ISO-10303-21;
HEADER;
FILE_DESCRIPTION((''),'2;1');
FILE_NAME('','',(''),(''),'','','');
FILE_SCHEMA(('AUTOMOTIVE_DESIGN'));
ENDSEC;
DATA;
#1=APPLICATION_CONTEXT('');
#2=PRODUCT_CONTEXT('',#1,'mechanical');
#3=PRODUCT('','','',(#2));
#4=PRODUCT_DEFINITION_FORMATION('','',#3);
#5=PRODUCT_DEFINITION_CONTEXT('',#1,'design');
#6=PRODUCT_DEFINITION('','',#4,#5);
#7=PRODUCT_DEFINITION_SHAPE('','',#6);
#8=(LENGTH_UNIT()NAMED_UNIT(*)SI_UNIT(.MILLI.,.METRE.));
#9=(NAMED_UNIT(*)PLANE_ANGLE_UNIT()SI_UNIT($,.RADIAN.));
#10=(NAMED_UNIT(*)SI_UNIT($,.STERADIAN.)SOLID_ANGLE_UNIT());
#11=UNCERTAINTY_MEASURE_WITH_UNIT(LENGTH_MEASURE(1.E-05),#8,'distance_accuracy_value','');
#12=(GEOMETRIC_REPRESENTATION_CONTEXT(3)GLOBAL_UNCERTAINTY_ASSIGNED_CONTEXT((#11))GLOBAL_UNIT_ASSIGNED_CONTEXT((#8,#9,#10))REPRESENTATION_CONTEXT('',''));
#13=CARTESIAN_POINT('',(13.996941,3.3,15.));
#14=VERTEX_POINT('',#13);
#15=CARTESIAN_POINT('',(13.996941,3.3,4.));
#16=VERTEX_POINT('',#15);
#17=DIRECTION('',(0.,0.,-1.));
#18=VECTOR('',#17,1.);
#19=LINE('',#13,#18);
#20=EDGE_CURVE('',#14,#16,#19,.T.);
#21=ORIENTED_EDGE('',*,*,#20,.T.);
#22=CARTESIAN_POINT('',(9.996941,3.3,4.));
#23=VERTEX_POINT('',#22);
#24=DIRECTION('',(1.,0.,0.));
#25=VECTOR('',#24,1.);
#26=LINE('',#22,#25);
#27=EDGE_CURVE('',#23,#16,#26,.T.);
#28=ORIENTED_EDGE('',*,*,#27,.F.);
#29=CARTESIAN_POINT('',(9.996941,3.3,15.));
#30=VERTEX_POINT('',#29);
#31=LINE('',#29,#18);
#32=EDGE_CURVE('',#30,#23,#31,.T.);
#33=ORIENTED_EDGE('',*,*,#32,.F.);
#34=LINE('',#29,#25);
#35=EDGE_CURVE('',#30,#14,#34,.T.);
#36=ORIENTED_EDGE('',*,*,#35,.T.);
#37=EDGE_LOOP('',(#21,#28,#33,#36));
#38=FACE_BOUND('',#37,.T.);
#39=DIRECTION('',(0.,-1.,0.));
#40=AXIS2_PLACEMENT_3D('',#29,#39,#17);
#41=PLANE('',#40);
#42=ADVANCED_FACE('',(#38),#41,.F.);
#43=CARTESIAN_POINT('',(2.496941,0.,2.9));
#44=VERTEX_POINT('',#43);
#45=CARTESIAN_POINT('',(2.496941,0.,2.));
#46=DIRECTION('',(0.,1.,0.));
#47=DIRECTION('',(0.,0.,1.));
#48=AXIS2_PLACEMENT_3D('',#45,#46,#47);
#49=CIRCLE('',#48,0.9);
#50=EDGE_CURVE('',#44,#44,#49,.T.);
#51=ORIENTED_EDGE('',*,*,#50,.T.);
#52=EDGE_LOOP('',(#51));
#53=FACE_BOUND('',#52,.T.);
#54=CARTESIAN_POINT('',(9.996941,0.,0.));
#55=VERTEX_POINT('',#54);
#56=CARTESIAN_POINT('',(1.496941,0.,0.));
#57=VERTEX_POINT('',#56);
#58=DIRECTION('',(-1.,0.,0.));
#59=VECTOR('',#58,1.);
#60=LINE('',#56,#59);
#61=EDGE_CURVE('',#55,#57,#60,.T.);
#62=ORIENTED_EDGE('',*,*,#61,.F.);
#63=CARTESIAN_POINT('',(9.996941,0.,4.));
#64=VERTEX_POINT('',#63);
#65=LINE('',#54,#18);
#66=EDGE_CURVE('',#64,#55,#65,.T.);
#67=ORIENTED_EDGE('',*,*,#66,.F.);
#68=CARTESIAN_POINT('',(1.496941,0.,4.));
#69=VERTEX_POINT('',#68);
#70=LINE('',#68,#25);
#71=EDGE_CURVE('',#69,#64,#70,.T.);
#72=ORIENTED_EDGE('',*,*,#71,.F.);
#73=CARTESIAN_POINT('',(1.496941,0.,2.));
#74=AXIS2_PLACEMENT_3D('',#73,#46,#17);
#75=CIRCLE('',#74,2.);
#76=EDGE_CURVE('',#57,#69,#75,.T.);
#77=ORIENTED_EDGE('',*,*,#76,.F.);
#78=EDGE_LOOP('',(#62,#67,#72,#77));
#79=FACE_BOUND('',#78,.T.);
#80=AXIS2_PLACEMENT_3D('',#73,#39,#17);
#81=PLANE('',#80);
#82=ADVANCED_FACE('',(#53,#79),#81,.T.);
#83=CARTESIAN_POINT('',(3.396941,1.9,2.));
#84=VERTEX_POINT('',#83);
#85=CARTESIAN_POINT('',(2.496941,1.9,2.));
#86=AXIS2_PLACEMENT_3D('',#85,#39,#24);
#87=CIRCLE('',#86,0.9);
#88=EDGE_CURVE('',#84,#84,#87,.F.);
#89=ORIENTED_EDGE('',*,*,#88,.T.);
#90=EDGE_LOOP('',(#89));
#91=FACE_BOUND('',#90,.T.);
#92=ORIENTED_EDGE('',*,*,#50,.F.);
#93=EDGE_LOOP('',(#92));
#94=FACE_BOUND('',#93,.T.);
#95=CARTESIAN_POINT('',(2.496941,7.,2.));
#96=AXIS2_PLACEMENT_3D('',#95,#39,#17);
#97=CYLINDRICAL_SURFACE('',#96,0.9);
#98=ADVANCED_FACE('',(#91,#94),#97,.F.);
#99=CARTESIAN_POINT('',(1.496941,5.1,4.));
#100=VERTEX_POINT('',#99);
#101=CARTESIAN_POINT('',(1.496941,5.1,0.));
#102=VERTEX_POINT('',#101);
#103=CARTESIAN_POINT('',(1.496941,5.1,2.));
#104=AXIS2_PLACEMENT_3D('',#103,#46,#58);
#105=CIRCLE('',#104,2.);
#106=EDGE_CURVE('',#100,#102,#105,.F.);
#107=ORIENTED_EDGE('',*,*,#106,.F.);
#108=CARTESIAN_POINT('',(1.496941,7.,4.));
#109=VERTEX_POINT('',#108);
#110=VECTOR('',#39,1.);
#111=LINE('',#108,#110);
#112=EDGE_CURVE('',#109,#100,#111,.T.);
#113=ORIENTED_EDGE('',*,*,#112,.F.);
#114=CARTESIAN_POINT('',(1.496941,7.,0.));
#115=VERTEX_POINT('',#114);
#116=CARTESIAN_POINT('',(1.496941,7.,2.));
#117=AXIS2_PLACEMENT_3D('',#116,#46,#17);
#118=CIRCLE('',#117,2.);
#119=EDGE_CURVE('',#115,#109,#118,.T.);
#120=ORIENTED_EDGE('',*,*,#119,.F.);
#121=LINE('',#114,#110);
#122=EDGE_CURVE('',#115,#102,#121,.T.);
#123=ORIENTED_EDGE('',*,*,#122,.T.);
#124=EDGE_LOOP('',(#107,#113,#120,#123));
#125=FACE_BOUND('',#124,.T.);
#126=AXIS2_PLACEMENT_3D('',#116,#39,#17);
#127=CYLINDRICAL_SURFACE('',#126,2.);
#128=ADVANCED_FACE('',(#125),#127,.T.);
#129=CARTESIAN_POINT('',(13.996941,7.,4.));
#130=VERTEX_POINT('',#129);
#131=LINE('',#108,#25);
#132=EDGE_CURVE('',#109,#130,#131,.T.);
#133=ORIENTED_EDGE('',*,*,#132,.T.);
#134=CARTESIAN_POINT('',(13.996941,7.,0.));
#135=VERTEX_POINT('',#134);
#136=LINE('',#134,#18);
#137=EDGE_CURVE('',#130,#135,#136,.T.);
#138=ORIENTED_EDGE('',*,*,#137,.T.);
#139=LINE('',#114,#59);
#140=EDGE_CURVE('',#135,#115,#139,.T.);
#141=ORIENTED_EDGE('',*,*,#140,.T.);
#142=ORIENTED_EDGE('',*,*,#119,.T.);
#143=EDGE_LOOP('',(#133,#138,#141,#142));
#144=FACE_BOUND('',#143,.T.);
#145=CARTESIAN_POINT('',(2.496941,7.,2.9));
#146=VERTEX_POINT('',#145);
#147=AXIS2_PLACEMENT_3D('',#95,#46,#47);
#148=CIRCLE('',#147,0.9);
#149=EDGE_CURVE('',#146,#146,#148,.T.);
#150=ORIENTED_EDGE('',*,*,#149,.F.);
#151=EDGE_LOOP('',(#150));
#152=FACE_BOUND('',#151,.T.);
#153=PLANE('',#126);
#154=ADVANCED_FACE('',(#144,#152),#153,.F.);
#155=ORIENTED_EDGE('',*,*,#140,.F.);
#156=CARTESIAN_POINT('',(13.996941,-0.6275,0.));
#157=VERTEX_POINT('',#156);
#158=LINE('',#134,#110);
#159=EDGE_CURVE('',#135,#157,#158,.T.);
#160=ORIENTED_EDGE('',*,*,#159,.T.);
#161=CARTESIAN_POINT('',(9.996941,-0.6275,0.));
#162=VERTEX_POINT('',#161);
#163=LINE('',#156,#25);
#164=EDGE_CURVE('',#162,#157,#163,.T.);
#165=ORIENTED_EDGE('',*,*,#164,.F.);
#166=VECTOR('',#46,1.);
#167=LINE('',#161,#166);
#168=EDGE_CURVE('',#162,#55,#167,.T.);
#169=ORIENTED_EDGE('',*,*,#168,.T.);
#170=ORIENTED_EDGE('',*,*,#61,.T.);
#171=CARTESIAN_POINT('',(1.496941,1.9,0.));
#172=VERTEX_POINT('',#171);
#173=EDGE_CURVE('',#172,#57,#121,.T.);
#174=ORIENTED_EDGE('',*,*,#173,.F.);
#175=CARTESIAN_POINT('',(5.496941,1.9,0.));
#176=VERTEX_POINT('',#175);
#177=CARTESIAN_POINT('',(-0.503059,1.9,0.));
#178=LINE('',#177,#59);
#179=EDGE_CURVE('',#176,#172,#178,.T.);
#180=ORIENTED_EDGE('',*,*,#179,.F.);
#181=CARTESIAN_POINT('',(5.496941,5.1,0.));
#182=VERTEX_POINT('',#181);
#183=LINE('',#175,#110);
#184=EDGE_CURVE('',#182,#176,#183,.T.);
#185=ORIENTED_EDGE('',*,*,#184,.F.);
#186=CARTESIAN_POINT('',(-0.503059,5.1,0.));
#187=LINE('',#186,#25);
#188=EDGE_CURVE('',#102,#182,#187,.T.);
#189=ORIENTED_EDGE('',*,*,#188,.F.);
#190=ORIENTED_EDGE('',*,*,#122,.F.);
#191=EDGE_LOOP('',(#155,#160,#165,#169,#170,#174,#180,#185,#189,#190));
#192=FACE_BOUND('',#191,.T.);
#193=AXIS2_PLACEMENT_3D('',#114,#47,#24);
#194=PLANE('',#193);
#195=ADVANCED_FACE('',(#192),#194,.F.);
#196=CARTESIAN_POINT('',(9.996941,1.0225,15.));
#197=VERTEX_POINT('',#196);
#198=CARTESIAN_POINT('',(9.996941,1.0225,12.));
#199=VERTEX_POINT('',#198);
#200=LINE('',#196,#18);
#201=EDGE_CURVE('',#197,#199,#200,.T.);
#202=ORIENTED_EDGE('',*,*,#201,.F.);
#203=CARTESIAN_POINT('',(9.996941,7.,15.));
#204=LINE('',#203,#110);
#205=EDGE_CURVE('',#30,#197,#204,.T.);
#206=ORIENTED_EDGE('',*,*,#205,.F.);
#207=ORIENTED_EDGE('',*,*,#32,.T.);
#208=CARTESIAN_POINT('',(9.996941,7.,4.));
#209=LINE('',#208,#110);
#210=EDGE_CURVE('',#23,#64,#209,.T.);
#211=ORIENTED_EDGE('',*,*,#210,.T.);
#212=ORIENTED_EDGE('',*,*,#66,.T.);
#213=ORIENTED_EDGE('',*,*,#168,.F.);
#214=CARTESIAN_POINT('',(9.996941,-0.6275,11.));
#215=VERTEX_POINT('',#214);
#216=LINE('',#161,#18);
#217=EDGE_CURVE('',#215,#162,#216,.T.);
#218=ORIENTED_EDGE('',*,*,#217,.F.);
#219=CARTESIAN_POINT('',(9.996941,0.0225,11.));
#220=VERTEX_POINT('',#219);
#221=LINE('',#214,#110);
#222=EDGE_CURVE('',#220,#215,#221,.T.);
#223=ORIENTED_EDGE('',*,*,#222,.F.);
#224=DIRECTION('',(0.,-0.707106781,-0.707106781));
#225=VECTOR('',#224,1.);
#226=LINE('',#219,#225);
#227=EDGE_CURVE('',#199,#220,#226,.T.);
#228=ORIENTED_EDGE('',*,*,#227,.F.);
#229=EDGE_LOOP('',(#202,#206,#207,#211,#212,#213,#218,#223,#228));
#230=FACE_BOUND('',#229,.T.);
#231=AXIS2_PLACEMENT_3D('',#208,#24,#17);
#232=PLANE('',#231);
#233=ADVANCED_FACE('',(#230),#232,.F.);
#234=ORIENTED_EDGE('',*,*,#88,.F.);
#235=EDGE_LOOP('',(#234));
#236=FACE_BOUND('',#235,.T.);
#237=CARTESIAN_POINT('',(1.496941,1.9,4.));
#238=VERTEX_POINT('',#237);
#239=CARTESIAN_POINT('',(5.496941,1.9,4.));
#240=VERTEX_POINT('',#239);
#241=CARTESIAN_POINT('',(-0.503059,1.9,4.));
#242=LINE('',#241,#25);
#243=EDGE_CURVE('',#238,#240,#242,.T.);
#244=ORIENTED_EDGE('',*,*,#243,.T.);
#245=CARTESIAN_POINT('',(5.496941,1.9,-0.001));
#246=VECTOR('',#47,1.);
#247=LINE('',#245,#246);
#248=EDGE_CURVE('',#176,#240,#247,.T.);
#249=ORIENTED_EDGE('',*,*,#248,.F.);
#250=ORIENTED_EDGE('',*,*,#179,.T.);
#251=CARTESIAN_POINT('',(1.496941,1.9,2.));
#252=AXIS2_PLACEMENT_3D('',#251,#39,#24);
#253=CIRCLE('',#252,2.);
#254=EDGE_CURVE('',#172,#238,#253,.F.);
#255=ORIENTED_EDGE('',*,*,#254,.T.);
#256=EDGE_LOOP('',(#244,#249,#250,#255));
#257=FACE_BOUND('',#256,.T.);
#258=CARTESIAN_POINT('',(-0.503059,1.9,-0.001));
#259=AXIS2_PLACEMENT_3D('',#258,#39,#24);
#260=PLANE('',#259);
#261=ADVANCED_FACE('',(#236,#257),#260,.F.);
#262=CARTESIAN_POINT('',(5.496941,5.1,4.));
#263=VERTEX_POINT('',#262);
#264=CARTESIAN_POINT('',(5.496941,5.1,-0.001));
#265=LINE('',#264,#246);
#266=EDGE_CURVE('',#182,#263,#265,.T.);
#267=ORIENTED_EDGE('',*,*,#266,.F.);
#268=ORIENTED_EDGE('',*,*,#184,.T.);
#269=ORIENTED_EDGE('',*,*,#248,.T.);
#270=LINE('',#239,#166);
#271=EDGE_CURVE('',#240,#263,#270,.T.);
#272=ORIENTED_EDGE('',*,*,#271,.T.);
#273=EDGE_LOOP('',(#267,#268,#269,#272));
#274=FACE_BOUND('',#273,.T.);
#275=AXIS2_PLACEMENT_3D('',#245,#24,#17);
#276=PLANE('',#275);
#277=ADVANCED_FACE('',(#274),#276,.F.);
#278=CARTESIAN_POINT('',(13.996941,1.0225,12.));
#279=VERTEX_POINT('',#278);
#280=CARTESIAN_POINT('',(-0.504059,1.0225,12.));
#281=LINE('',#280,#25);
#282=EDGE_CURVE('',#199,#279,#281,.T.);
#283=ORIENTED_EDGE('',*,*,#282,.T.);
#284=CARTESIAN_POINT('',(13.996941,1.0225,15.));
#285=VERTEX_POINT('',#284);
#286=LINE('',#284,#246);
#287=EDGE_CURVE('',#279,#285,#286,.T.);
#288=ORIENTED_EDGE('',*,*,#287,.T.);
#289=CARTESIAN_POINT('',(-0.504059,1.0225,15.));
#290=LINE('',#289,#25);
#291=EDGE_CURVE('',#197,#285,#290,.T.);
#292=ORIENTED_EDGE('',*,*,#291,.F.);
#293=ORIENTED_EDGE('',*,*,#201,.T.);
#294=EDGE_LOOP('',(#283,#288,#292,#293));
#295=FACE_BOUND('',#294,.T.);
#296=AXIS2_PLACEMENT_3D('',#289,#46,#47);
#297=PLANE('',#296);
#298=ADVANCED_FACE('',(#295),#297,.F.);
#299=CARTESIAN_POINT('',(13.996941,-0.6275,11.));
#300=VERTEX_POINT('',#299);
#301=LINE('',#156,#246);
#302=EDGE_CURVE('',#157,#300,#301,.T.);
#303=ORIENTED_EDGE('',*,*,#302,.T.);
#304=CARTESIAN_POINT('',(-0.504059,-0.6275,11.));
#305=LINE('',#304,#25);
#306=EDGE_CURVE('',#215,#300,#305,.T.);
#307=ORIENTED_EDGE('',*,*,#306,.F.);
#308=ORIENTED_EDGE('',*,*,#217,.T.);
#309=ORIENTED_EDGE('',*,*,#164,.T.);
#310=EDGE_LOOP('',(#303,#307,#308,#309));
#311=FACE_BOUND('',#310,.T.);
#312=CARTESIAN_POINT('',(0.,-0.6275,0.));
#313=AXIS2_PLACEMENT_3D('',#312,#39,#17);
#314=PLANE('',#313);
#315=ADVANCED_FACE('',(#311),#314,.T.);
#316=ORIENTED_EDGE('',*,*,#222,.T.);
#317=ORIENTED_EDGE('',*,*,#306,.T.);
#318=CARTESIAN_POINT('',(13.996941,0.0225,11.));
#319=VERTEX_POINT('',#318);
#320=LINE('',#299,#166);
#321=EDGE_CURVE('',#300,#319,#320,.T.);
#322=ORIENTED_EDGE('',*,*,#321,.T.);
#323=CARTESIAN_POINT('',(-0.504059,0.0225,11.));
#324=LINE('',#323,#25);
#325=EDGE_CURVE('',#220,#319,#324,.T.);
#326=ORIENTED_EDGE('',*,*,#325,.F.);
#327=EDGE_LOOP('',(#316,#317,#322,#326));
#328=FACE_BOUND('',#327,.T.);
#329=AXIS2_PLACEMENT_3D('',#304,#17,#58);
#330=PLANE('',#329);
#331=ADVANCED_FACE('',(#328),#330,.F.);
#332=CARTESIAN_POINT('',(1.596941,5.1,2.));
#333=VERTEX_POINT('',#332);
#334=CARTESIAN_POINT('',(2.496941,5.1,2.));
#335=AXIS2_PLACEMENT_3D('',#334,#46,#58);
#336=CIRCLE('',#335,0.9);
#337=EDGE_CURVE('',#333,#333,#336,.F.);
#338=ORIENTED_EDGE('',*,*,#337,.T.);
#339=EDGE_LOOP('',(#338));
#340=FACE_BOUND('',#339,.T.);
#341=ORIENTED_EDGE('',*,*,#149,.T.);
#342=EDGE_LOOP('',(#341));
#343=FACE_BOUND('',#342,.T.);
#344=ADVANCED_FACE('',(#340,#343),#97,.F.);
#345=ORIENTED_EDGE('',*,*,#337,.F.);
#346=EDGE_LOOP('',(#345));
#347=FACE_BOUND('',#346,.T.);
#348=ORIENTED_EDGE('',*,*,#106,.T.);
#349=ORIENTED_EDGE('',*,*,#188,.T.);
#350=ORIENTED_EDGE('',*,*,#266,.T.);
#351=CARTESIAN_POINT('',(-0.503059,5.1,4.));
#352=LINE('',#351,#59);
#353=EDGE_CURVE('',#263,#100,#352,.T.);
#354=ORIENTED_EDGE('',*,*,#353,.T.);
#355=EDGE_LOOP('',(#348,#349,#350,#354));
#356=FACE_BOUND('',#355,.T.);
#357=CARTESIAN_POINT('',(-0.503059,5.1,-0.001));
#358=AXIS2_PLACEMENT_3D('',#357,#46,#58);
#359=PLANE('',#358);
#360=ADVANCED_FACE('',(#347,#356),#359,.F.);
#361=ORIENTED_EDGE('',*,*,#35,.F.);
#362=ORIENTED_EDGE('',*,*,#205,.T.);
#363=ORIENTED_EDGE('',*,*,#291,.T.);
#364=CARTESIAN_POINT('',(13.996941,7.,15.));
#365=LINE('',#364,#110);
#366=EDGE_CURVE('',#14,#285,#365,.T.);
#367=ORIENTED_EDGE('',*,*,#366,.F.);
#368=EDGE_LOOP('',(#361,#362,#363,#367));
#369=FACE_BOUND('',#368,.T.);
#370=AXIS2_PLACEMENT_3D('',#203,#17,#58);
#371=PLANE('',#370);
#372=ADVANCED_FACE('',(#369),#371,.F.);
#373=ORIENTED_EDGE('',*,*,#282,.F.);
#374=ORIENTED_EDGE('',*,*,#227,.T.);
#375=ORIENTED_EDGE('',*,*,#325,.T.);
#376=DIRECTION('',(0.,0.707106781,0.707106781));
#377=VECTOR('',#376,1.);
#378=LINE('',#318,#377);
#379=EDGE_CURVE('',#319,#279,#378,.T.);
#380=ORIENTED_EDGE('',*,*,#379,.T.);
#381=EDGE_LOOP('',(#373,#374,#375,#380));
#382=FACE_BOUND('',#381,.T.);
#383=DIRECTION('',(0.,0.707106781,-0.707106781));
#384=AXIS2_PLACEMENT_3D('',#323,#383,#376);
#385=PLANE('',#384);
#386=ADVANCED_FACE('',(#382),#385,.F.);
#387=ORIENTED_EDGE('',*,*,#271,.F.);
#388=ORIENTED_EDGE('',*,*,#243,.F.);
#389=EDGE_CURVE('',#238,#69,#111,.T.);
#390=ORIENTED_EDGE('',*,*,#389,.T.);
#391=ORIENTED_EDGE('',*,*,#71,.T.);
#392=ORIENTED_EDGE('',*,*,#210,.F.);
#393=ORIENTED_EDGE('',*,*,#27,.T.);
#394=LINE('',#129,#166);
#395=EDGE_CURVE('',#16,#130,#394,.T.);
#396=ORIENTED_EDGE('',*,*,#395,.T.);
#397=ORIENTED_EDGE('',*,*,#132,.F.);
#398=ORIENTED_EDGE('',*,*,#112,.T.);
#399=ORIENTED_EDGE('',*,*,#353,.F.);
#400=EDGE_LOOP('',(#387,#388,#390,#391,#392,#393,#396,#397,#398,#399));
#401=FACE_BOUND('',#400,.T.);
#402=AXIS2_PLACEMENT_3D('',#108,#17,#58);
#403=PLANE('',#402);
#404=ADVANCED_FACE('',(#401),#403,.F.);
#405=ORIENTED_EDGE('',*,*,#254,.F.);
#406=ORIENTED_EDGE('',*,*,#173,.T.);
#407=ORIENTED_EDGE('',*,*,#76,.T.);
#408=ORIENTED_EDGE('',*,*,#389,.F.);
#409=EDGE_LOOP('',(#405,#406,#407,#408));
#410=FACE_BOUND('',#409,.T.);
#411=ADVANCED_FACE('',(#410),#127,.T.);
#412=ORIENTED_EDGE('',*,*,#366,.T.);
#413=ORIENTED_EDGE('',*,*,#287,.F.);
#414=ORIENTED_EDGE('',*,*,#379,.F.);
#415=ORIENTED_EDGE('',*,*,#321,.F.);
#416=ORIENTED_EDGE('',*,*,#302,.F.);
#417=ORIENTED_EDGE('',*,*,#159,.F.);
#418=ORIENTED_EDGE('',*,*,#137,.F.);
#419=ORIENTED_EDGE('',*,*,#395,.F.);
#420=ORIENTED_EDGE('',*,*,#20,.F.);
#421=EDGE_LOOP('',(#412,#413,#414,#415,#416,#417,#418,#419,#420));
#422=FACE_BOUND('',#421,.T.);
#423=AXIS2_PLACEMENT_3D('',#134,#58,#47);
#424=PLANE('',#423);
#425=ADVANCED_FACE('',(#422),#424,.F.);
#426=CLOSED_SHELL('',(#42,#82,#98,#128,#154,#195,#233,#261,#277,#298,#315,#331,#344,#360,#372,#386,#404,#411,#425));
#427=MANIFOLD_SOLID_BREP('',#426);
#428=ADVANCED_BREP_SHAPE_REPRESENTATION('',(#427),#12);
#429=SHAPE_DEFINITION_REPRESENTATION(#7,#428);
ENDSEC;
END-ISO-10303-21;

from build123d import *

# Parameters (mm, degrees)
SKETCH1_R           = 0.9
BOSS_EXTRUDE1_DEPTH = 7
CUT_EXTRUDE1_REACH  = 21.129
SKETCH2_W           = 6
SKETCH2_H           = 3.2
SKETCH3_W           = 11
SKETCH3_H           = 3.7
CUT_EXTRUDE2_DEPTH  = 4
SKETCH6_W           = 4
SKETCH6_H           = 15
BOSS_EXTRUDE2_DEPTH = 0.6275
CUT_EXTRUDE3_REACH  = 24.006


with BuildPart() as part:
    # Sketch1 → Boss-Extrude1 (new body)
    with BuildSketch(Plane(origin=(0, 0, 0), x_dir=(1, 0, 0), z_dir=(0, 1, 0))):
        with BuildLine():
            Line((1.496941475, 0), (13.996941475, 0))
            Line((13.996941475, 0), (13.996941475, -15))
            Line((13.996941475, -15), (9.996941475, -15))
            Line((9.996941475, -15), (9.996941475, -4))
            Line((9.996941475, -4), (1.496941475, -4))
            ThreePointArc((1.496941475, -4), (-0.503058525, -2), (1.496941475, 0))
        make_face()
        with Locations(Location((2.496941475, -2, 0), (0, 0, 270))):
            Circle(SKETCH1_R, mode=Mode.SUBTRACT)
    extrude(amount=BOSS_EXTRUDE1_DEPTH)

    # Sketch2 → Cut-Extrude1 (cut, up to next)
    with BuildSketch(Plane.XY.offset(4), mode=Mode.PRIVATE) as cut_extrude1_sk1:
        with Locations((2.496941475, 3.5)):
            Rectangle(SKETCH2_W, SKETCH2_H)
    cut_extrude1_tool1 = extrude(cut_extrude1_sk1.sketch, amount=-CUT_EXTRUDE1_REACH, mode=Mode.PRIVATE) & part.part
    add(cut_extrude1_tool1.solids().sort_by_distance((2.496941, 3.5, 4))[0], mode=Mode.SUBTRACT)

    # Sketch3 → Cut-Extrude2 (cut)
    with BuildSketch(Plane(origin=(13.996941475, 0, 0), x_dir=(0, 0, -1), z_dir=(1, 0, 0))):
        with Locations((-9.5, 5.15)):
            Rectangle(SKETCH3_W, SKETCH3_H)
    extrude(amount=-CUT_EXTRUDE2_DEPTH, mode=Mode.SUBTRACT)

    # Sketch6 → Boss-Extrude2 (add)
    with BuildSketch(Plane.XZ):
        with Locations((11.996941475, 7.5)):
            Rectangle(SKETCH6_W, SKETCH6_H)
    extrude(amount=BOSS_EXTRUDE2_DEPTH)

    # Sketch4 → Cut-Extrude3 (cut, up to next)
    with BuildSketch(Plane(origin=(13.996941475, 0, 0), x_dir=(0, 0, -1), z_dir=(1, 0, 0)), mode=Mode.PRIVATE) as cut_extrude3_sk1:
        Polygon((-11, -0.6275), (-15, -0.6275), (-15, 1.0225), (-12, 1.0225), (-11, 0.0225), align=None)
    cut_extrude3_tool1 = extrude(cut_extrude3_sk1.sketch, amount=-CUT_EXTRUDE3_REACH, mode=Mode.PRIVATE) & part.part
    add(cut_extrude3_tool1.solids().sort_by_distance((13.996941, 0.157199, 13.136612))[0], mode=Mode.SUBTRACT)


solid = part.part
